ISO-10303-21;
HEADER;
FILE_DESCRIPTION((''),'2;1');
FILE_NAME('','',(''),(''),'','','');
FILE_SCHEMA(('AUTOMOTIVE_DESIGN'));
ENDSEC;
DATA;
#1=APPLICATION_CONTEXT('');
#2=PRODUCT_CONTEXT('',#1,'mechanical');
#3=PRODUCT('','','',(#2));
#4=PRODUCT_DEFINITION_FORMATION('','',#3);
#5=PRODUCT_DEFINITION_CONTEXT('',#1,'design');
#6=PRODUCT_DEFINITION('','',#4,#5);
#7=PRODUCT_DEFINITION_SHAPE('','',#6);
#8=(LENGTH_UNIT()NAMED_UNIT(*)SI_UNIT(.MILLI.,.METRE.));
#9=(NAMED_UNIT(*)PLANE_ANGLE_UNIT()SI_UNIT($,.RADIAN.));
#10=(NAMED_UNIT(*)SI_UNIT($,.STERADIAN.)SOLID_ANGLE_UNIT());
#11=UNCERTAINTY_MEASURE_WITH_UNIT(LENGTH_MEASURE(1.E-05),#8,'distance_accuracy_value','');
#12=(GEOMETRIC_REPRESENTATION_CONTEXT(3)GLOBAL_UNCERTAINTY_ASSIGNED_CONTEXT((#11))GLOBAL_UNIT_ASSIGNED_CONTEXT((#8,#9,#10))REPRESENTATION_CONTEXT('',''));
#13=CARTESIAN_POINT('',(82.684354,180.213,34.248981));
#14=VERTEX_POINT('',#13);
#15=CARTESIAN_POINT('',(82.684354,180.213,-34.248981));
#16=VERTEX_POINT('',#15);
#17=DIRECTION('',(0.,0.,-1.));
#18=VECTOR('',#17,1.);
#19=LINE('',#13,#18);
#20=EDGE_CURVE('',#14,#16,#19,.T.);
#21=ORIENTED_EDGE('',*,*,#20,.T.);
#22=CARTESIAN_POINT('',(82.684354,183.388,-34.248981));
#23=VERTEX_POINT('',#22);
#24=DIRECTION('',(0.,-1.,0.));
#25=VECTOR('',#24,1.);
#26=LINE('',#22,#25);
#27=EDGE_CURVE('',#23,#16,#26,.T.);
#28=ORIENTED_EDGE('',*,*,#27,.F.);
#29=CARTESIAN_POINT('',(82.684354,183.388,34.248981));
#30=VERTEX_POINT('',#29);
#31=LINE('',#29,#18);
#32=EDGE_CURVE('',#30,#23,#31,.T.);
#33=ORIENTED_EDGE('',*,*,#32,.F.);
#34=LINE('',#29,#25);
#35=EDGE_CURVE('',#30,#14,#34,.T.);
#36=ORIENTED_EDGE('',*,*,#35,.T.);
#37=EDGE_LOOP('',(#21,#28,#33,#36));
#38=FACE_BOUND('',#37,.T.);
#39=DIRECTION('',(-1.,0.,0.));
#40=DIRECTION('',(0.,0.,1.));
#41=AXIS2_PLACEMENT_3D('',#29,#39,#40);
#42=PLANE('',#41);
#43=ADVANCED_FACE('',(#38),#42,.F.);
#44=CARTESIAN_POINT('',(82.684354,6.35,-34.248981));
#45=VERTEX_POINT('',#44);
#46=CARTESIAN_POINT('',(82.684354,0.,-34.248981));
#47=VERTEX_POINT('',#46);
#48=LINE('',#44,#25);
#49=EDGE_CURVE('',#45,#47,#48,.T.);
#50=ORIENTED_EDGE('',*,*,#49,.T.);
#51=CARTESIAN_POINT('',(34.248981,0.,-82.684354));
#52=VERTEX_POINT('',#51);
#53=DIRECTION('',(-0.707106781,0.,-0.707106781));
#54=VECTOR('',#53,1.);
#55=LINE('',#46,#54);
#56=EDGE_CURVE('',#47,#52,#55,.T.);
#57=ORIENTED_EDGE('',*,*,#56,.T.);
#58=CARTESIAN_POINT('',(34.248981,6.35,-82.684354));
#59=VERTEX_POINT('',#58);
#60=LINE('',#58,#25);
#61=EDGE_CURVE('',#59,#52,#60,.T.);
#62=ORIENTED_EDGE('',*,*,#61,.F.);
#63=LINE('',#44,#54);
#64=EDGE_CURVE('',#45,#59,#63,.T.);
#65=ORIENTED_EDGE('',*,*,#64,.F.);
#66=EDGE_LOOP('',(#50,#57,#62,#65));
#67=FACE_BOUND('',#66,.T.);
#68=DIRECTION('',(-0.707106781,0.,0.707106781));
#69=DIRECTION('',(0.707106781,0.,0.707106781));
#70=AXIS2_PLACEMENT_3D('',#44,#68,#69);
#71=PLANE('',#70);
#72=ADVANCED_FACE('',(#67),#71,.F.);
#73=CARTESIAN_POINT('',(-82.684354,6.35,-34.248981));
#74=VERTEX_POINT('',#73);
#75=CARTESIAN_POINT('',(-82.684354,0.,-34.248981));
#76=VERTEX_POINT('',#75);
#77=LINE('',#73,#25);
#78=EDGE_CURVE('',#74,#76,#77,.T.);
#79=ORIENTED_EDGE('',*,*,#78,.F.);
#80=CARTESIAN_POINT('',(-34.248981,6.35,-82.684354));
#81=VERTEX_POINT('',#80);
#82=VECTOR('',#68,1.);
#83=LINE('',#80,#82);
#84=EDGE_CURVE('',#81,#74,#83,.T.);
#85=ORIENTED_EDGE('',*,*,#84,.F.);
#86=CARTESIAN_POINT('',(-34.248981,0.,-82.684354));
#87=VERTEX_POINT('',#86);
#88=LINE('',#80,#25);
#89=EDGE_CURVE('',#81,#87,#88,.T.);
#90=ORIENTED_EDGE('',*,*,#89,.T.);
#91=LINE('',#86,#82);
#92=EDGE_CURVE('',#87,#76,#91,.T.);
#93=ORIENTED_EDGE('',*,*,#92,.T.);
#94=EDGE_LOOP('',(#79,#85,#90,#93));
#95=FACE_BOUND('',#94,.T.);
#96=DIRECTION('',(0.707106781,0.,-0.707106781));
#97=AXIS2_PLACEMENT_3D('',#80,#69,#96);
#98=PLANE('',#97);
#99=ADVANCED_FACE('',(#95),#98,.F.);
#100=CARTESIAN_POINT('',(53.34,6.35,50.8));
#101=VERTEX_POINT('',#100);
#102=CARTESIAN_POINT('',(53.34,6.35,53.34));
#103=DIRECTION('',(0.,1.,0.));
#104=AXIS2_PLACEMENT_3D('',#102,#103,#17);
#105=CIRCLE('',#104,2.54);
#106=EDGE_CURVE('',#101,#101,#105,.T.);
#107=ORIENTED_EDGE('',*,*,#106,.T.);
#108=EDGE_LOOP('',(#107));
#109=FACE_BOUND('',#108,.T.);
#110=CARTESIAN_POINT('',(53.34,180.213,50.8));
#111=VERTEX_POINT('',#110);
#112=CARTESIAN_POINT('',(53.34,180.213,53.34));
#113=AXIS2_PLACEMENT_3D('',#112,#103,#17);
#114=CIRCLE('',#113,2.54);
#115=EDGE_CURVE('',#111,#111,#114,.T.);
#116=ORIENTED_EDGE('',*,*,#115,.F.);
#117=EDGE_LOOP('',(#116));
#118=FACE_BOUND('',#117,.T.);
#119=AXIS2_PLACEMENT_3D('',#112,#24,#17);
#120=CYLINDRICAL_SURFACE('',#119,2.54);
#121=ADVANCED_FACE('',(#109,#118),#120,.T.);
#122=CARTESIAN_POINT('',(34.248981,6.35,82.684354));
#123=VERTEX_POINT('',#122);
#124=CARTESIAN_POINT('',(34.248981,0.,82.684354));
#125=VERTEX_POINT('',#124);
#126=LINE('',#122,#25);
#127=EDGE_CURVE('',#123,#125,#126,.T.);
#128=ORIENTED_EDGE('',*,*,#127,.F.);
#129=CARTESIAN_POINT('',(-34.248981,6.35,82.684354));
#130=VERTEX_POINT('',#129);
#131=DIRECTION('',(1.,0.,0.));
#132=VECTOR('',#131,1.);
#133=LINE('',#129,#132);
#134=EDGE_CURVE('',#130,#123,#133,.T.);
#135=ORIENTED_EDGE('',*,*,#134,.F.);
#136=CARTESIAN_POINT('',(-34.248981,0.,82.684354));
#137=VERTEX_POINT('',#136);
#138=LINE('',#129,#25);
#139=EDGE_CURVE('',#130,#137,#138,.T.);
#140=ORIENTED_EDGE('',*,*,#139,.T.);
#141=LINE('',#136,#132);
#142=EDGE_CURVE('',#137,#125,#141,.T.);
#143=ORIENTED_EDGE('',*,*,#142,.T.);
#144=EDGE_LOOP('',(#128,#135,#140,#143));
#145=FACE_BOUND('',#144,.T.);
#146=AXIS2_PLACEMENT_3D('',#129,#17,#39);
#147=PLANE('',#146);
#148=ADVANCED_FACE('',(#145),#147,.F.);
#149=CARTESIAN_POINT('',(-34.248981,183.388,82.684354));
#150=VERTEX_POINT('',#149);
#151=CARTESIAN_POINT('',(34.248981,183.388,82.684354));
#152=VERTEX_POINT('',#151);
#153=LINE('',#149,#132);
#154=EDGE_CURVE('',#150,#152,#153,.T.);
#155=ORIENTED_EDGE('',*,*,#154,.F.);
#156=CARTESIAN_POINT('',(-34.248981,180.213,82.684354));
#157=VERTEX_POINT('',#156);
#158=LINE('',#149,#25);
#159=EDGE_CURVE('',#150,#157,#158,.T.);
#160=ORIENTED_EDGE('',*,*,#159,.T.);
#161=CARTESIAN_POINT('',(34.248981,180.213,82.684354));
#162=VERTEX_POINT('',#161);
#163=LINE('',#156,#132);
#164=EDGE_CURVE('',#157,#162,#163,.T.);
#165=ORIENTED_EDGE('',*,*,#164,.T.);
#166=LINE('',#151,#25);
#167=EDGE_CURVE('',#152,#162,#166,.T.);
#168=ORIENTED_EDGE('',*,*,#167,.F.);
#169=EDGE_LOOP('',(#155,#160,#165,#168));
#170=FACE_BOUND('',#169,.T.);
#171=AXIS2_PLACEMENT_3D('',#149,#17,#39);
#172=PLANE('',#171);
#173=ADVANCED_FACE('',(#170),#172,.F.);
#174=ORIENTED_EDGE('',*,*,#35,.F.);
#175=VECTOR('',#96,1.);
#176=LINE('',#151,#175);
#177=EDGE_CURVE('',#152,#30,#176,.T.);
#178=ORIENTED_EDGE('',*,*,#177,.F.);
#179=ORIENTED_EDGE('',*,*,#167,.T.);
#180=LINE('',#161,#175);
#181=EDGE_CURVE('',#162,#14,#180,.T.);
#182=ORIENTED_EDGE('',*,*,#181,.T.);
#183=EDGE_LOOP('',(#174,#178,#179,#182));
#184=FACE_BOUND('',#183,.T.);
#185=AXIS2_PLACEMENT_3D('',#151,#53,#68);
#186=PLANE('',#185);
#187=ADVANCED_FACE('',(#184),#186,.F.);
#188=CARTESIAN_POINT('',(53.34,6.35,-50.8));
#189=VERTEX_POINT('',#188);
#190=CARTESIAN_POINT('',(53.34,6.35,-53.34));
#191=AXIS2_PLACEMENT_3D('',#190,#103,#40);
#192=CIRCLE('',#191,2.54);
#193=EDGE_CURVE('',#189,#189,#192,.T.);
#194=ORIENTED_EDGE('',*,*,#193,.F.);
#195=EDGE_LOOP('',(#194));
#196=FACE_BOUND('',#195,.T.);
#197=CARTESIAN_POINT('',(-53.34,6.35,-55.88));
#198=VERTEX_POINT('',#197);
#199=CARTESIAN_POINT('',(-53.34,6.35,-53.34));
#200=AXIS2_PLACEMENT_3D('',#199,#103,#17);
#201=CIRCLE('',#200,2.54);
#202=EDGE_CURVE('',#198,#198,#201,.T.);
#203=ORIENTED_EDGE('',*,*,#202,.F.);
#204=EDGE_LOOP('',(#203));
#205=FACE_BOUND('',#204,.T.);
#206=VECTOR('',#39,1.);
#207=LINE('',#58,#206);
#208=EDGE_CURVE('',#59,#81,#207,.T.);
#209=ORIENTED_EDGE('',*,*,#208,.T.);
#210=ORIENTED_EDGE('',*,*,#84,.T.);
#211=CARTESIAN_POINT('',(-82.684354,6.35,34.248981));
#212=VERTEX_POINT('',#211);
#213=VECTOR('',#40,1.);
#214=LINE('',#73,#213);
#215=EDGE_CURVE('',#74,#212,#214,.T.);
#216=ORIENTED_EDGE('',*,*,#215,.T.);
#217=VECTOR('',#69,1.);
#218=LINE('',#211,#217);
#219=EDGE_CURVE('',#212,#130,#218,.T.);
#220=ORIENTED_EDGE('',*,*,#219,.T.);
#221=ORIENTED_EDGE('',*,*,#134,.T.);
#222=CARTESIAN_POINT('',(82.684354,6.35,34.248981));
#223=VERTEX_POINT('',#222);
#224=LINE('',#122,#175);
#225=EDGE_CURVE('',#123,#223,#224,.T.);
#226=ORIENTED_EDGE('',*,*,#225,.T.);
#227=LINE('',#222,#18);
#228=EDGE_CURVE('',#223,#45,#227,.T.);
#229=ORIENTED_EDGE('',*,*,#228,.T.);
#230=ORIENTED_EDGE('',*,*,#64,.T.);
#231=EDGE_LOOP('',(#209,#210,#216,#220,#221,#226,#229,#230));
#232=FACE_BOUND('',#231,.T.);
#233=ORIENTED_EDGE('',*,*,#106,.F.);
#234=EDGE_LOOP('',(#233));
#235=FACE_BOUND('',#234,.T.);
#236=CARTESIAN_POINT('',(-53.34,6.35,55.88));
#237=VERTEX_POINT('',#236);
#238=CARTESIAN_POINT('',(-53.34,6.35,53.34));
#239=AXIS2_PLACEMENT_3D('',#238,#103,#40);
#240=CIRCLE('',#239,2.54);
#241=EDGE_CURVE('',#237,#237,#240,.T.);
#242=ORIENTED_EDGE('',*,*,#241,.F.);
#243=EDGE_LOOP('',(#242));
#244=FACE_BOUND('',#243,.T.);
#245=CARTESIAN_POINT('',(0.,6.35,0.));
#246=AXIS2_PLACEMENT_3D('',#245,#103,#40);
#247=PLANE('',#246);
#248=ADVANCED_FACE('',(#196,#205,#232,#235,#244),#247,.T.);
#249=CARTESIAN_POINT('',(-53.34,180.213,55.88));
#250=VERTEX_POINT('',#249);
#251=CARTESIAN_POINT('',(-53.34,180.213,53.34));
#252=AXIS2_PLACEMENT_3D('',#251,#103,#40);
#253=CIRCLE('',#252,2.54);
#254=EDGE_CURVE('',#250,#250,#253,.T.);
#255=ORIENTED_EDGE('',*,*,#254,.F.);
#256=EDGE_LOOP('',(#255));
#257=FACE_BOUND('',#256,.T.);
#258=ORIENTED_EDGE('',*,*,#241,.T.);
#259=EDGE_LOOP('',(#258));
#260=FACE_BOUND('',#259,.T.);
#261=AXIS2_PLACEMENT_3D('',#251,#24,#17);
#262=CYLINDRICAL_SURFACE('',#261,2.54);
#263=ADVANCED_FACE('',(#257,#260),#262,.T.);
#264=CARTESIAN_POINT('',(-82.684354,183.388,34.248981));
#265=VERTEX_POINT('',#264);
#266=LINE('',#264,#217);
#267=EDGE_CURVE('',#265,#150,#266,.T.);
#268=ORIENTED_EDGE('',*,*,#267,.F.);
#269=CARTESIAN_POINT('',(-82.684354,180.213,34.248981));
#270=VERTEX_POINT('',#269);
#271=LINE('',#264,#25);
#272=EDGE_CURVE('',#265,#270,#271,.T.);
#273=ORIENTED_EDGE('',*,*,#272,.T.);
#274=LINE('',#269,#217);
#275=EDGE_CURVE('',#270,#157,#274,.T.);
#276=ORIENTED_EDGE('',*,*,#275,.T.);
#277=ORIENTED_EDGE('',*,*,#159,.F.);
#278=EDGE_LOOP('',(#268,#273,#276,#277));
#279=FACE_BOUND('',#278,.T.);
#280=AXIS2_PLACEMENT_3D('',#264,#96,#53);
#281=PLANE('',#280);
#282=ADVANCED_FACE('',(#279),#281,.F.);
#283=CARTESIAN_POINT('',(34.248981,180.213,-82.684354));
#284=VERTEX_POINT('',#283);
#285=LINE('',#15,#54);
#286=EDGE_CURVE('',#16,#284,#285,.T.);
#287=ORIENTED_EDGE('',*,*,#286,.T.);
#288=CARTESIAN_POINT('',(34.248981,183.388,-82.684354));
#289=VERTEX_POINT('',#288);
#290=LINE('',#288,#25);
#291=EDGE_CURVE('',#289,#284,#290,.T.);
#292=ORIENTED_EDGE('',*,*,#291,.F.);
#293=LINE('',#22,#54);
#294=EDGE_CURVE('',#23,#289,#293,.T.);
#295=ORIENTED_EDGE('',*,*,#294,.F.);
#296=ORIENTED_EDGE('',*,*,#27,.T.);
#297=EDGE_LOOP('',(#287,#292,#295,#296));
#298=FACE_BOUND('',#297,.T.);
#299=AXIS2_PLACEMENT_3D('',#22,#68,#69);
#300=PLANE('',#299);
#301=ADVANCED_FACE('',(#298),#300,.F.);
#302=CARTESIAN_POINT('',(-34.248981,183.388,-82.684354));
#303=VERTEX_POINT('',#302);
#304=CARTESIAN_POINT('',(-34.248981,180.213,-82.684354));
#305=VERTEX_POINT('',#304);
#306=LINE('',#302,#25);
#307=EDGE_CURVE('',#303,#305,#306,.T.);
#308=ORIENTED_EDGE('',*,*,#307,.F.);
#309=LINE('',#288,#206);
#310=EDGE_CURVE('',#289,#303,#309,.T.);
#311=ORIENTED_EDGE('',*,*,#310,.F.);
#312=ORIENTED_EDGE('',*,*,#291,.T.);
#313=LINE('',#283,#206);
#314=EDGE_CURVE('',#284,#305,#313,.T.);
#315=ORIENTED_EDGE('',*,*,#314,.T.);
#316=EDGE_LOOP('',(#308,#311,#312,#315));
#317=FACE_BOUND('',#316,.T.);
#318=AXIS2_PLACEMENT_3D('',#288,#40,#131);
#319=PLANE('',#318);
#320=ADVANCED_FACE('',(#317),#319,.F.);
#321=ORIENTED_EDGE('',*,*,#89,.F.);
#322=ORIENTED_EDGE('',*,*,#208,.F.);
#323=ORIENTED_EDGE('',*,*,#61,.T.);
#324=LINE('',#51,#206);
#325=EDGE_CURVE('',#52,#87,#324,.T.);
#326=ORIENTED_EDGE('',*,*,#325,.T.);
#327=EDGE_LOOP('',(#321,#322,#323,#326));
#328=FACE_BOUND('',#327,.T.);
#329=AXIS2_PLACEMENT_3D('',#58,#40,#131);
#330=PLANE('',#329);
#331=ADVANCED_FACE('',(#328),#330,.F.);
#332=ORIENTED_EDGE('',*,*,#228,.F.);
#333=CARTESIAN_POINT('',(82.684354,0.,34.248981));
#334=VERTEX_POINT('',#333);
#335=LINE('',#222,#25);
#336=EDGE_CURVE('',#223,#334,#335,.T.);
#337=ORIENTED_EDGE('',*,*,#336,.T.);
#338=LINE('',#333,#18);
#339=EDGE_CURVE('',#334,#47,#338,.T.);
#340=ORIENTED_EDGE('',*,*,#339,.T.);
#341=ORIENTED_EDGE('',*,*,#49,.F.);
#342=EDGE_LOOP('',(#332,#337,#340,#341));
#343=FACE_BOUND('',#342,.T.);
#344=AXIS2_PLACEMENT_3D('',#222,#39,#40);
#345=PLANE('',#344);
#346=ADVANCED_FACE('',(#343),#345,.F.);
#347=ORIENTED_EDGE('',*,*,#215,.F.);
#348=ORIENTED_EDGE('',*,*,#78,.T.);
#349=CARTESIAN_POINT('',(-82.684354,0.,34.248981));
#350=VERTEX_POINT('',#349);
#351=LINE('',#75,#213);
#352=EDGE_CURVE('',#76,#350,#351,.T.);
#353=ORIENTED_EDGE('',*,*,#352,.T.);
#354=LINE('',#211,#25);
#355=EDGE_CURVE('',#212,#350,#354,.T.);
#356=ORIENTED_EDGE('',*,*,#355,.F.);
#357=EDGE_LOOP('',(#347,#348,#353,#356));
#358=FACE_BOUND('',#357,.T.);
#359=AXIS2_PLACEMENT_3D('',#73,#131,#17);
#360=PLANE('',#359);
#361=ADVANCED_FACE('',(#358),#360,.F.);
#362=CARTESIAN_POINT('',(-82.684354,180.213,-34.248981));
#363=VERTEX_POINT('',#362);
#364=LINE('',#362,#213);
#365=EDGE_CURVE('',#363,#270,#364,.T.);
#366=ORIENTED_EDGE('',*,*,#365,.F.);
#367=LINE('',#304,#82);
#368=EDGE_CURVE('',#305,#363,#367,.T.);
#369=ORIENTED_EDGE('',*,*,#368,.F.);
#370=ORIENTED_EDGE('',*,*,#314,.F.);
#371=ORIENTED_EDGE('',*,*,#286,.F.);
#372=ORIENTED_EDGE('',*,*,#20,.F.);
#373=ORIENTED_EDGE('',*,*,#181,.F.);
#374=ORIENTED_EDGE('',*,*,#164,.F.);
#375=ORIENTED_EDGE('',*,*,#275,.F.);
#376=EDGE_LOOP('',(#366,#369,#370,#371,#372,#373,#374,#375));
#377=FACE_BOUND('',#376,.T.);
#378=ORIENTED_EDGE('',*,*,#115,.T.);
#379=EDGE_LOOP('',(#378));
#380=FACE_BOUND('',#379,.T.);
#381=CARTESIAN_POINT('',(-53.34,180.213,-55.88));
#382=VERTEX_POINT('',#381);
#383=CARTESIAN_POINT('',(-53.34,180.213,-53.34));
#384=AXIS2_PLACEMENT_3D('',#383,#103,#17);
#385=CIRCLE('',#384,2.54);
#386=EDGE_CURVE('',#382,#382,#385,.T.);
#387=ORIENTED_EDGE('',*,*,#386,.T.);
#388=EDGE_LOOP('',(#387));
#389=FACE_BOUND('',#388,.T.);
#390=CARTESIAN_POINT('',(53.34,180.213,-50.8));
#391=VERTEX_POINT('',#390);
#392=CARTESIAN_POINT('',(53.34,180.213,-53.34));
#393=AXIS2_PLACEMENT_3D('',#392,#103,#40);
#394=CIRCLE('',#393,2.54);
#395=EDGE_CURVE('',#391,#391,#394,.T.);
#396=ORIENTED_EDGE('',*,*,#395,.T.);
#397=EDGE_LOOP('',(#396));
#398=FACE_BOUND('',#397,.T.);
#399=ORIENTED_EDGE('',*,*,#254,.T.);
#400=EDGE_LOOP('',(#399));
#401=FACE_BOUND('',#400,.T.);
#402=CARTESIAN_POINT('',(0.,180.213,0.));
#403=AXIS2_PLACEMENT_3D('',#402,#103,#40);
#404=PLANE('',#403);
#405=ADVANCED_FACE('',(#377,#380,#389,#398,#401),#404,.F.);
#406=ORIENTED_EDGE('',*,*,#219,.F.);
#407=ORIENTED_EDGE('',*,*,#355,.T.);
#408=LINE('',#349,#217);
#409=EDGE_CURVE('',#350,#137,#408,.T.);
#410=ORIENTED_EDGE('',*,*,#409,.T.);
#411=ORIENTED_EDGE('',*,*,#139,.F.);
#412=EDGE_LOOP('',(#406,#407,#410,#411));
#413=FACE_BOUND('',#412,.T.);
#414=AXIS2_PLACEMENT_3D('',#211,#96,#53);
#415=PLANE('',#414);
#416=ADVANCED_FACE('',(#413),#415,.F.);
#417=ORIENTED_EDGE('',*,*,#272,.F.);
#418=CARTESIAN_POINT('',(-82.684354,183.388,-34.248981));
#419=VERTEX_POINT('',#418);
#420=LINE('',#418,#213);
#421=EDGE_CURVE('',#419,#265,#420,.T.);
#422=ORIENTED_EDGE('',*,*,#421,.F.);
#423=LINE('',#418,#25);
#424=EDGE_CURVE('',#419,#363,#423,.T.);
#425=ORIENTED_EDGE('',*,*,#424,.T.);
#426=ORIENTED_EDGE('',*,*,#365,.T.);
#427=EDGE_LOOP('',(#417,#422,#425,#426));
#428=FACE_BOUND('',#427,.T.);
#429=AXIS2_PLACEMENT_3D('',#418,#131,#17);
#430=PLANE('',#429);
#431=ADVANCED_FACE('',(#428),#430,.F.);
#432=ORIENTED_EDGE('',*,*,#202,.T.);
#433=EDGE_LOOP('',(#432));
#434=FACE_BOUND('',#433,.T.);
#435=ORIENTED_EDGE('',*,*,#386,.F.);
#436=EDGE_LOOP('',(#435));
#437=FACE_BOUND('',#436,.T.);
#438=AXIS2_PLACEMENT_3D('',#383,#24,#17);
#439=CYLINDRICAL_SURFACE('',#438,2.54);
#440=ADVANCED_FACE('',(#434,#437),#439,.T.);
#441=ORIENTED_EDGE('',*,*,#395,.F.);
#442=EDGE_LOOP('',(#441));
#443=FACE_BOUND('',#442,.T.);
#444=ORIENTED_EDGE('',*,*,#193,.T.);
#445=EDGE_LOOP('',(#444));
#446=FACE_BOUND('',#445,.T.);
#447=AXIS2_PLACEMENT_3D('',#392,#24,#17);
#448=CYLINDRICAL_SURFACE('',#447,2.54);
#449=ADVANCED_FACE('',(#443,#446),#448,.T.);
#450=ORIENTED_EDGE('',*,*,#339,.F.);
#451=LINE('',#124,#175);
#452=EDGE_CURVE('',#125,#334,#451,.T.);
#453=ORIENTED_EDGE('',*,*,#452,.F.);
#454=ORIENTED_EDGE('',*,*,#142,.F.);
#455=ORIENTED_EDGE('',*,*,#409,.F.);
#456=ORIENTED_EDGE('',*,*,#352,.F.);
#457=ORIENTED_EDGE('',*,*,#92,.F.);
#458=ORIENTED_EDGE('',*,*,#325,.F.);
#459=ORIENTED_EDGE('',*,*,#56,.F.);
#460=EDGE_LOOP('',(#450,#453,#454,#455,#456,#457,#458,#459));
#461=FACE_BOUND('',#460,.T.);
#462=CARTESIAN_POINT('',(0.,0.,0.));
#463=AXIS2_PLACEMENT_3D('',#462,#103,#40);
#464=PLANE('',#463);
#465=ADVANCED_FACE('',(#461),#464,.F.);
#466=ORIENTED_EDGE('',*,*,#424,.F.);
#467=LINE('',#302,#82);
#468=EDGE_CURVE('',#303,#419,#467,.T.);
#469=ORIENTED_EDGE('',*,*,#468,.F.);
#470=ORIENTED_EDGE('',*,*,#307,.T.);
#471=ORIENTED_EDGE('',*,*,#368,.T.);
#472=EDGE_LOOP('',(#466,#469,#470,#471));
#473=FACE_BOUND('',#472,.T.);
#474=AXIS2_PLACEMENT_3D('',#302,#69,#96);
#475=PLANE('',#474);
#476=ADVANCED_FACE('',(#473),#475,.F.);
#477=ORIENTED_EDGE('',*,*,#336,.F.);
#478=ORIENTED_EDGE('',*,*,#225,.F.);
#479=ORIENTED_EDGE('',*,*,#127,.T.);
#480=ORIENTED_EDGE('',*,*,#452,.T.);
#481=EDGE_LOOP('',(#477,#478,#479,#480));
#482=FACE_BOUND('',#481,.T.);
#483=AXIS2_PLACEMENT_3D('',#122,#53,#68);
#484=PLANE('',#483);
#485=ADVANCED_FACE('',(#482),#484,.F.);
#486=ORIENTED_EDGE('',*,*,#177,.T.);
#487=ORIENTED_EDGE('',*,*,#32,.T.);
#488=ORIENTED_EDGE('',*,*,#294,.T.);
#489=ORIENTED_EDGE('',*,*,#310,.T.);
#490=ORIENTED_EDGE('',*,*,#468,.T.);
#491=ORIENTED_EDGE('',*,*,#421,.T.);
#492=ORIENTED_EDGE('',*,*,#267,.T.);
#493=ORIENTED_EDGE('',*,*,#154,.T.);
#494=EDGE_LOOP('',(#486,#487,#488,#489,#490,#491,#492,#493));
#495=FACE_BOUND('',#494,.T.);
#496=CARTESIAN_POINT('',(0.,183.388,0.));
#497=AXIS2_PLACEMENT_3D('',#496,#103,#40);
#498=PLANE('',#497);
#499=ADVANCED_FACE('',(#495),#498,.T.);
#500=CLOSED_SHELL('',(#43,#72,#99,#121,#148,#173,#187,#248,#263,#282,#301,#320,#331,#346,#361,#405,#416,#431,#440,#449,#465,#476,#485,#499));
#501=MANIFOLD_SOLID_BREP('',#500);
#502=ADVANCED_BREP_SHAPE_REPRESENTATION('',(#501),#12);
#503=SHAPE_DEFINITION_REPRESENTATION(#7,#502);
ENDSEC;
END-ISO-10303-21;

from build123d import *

# Parameters (mm, degrees)
BOSS_EXTRUDE1_DEPTH = 6.35
SKETCH2_R           = 2.54
BOSS_EXTRUDE2_DEPTH = 173.863
BOSS_EXTRUDE3_DEPTH = 3.175


with BuildPart() as part:
    # Sketch1 → Boss-Extrude1 (new body)
    with BuildSketch(Plane(origin=(0, 0, 0), x_dir=(1, 0, 0), z_dir=(0, 1, 0))):
        Polygon((34.248980878, -82.684354133), (82.684354133, -34.248980878), (82.684354133, 34.248980878), (34.248980878, 82.684354133), (-34.248980878, 82.684354133), (-82.684354133, 34.248980878), (-82.684354133, -34.248980878), (-34.248980878, -82.684354133), align=None)
    extrude(amount=BOSS_EXTRUDE1_DEPTH)

    # Sketch2 → Boss-Extrude2 (add)
    with BuildSketch(Plane(origin=(0, 6.35, 0), x_dir=(1, 0, 0), z_dir=(0, 1, 0))):
        with Locations((53.34, 53.34)):
            Circle(SKETCH2_R)
        with Locations((-53.34, 53.34)):
            Circle(SKETCH2_R)
        with Locations((53.34, -53.34)):
            Circle(SKETCH2_R)
        with Locations((-53.34, -53.34)):
            Circle(SKETCH2_R)
    extrude(amount=BOSS_EXTRUDE2_DEPTH)

    # Sketch3 → Boss-Extrude3 (add)
    with BuildSketch(Plane(origin=(0, 180.213, 0), x_dir=(1, 0, 0), z_dir=(0, 1, 0))):
        Polygon((82.684354133, -34.248980878), (82.684354133, 34.248980878), (34.248980878, 82.684354133), (-34.248980878, 82.684354133), (-82.684354133, 34.248980878), (-82.684354133, -34.248980878), (-34.248980878, -82.684354133), (34.248980878, -82.684354133), align=None)
    extrude(amount=BOSS_EXTRUDE3_DEPTH)


solid = part.part
